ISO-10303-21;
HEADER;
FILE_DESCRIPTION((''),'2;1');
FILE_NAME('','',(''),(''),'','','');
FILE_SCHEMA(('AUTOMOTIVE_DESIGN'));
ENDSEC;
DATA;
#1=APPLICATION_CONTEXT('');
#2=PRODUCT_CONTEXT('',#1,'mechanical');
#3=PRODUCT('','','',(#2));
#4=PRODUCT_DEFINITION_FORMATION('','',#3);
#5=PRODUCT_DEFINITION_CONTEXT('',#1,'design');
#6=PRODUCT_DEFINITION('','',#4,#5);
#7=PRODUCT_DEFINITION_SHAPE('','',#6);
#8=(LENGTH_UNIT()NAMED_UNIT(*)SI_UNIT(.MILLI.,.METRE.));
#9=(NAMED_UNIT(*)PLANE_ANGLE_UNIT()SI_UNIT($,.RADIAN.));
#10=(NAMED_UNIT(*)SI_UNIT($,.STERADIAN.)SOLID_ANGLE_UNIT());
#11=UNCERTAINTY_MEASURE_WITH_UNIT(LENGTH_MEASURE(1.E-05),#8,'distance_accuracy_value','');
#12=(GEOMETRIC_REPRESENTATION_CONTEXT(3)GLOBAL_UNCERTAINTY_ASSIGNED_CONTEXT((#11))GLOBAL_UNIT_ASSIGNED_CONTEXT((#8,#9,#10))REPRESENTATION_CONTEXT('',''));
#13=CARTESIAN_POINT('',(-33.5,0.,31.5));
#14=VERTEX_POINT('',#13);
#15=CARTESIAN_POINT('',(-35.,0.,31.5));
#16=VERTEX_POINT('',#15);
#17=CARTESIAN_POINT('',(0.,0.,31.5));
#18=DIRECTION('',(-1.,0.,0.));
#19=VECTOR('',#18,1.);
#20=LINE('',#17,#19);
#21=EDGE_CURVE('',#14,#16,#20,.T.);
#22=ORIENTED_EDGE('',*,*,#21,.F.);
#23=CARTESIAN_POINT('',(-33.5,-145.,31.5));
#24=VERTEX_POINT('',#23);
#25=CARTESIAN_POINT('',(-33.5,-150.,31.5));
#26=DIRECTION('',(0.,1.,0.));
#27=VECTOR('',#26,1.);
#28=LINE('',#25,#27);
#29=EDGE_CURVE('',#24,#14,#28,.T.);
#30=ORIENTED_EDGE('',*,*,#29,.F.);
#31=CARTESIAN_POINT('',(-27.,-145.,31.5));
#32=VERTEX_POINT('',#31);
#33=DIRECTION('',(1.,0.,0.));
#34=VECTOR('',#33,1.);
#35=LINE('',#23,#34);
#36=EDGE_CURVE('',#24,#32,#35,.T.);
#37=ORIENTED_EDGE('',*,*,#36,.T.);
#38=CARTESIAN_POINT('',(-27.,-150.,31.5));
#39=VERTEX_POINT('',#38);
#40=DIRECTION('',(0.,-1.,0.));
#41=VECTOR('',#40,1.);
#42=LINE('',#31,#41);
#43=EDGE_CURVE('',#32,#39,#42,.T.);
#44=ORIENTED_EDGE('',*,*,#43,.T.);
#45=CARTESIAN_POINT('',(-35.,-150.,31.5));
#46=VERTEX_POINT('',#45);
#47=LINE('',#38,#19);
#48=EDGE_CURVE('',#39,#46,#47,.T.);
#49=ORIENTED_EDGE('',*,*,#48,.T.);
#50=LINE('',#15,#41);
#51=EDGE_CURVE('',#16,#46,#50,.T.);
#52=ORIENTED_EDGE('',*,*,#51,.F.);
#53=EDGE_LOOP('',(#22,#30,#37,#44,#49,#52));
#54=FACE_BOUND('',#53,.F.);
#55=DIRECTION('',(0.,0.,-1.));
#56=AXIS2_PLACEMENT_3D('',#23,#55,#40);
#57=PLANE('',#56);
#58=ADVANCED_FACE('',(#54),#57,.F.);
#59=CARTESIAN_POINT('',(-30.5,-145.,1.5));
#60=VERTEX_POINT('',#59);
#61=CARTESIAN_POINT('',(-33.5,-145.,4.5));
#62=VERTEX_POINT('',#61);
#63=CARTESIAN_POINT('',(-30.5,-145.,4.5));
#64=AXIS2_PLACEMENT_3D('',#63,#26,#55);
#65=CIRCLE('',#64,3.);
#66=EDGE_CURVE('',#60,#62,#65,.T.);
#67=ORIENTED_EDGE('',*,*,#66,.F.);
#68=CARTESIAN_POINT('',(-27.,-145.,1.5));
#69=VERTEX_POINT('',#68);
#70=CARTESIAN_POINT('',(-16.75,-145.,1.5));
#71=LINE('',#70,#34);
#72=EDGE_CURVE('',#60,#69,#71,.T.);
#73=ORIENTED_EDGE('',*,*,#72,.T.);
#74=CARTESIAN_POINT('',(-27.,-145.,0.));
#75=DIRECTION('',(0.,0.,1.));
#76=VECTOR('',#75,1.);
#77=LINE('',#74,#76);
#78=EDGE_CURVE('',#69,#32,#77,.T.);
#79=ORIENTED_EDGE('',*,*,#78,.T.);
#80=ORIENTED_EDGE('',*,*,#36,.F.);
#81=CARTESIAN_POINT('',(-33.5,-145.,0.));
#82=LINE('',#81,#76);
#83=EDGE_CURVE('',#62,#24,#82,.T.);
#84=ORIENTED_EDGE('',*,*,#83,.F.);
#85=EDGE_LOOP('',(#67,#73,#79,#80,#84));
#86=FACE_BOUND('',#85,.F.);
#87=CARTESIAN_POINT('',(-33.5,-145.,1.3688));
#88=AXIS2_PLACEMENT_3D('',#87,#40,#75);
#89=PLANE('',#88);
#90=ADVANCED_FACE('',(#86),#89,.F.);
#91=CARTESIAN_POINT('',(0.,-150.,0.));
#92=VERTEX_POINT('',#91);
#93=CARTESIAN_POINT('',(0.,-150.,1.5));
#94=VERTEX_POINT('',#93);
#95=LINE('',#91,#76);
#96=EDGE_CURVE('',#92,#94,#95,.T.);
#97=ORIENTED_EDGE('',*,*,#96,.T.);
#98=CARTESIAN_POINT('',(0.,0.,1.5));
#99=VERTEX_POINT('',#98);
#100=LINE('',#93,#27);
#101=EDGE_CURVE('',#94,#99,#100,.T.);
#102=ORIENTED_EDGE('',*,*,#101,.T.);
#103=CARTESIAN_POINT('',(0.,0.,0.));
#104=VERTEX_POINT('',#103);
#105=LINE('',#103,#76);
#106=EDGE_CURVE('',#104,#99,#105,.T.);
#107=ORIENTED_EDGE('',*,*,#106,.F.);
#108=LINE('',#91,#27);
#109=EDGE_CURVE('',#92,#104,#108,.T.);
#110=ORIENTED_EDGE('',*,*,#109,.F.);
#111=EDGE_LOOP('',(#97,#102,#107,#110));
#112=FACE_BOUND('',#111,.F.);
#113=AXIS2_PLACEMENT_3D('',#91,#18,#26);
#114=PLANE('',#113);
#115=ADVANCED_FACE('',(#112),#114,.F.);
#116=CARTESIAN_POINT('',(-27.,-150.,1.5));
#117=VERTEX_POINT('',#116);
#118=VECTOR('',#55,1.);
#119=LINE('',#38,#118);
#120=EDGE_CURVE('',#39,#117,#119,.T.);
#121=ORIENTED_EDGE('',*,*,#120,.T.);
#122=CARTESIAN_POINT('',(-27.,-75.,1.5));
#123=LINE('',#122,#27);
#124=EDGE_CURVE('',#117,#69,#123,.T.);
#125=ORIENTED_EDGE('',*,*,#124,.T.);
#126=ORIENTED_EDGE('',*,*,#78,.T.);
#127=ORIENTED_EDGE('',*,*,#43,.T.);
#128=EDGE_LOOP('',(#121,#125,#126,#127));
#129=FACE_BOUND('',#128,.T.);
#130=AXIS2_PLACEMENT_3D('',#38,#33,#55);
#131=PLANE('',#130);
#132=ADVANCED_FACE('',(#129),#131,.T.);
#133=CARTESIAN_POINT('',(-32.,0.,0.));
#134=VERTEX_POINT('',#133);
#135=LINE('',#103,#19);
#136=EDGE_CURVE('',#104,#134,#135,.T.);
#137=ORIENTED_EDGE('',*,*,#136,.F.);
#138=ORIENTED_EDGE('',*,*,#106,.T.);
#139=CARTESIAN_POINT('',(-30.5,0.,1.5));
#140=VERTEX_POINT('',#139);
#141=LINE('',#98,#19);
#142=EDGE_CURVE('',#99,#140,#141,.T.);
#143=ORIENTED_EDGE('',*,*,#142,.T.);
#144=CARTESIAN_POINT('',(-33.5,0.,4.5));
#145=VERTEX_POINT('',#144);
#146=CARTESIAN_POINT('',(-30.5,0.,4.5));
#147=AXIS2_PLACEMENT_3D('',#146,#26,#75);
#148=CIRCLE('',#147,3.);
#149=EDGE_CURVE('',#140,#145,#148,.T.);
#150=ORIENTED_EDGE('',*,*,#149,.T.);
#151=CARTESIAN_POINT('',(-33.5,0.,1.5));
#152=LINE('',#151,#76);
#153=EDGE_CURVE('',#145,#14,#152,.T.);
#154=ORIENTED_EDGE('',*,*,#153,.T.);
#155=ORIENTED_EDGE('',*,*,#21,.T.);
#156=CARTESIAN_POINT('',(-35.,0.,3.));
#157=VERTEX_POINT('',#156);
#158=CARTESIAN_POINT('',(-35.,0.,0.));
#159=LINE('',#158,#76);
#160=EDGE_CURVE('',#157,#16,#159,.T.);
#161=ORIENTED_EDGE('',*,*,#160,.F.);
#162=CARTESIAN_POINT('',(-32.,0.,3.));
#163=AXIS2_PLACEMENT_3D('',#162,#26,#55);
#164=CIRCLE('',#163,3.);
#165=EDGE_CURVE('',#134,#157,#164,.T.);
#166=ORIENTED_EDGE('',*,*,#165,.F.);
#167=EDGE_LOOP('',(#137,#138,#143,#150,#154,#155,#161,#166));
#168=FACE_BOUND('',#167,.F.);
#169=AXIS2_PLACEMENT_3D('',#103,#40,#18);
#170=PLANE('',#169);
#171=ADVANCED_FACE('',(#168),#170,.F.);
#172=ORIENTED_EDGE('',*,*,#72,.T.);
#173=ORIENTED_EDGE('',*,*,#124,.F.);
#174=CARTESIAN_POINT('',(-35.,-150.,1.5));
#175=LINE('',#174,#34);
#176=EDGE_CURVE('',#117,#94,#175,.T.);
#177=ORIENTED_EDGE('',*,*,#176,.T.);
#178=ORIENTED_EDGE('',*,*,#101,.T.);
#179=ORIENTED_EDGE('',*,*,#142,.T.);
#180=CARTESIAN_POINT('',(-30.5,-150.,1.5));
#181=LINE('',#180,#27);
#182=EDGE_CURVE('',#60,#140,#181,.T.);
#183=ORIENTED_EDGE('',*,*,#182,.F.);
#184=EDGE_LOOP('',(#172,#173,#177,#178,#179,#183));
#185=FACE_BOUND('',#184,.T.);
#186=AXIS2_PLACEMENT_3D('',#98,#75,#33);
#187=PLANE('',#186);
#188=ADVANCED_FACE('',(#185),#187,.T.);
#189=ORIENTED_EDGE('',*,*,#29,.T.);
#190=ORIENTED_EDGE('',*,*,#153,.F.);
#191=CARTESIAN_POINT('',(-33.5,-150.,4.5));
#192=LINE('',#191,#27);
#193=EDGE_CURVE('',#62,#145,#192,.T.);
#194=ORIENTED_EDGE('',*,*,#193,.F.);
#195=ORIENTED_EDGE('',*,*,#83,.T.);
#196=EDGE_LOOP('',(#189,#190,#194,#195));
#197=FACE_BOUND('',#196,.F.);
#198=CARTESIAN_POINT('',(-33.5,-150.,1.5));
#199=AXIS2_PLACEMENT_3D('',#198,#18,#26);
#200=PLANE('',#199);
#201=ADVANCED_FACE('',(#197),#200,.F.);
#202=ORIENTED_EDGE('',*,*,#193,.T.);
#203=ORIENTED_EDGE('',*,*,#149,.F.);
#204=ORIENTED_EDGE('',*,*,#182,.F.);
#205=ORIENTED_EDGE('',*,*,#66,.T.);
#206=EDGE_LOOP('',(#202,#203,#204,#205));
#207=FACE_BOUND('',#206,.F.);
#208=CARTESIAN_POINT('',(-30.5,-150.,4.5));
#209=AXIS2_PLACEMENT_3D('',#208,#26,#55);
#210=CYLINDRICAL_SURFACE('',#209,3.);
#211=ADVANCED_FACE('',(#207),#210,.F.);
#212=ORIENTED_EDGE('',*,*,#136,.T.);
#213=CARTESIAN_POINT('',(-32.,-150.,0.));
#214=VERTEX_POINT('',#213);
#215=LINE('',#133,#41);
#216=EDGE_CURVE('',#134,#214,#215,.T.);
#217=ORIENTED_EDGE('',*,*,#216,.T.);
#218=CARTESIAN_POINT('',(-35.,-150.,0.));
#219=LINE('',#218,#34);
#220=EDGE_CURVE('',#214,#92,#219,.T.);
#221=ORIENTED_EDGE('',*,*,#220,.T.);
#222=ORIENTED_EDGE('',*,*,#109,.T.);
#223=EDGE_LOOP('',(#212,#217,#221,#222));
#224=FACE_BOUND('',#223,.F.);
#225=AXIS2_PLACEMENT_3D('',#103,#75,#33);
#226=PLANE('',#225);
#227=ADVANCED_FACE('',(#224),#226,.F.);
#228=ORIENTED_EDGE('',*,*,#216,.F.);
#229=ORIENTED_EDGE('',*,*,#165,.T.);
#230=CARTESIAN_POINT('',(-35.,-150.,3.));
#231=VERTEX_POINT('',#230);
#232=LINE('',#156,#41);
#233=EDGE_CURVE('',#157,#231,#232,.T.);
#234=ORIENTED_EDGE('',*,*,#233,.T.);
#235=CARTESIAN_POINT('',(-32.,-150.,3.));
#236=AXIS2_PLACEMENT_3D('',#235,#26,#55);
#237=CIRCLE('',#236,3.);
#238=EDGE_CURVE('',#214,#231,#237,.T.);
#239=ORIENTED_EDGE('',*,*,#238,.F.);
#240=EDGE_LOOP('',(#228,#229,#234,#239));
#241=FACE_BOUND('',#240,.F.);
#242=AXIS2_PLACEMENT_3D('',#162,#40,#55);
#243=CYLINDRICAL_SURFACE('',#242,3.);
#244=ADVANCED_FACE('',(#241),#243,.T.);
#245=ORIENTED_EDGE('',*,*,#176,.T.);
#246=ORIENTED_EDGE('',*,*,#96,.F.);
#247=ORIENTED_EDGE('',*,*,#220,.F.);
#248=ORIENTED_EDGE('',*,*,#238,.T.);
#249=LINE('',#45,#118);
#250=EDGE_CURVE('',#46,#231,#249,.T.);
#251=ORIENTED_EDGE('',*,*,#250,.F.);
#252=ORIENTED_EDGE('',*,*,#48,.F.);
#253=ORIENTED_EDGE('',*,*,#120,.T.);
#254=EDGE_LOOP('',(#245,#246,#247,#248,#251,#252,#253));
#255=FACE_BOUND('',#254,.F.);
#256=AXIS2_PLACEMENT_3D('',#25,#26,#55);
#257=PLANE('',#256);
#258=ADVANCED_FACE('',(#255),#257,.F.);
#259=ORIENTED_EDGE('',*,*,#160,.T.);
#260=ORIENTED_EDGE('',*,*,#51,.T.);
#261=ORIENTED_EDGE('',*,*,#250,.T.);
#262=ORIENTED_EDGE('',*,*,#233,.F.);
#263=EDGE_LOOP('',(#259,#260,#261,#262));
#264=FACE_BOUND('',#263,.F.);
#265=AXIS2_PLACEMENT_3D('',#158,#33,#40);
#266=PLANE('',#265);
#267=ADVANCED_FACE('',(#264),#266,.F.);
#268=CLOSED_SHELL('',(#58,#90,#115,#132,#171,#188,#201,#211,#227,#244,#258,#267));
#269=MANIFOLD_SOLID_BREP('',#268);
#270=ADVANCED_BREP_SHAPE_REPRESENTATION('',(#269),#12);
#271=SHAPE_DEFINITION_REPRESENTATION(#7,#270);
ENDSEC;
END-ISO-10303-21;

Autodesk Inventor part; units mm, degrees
ref_plane "YZ Plane" through (0, 0, 0) normal (1, 0, 0) x (0, 1, 0)
ref_plane "XZ Plane" through (0, 0, 0) normal (0, 1, 0) x (-1, 0, 0)
ref_plane "XY Plane" through (0, 0, 0) normal (0, 0, 1) x (1, 0, 0)
ref_plane "Arbeitsebene1" through (0, 0, 0) normal (0, 0, 1) x (1, 0, 0)
sketch "Skizze1" plane through (0, 0, 0) normal (0, 0, 1) x (1, 0, 0)
  line L0 (0, 0) -> (-35, 0)
  line L1 (-35, 0) -> (-35, -150)
  line L2 (-35, -150) -> (0, -150)
  line L3 (0, -150) -> (0, 0)
  dimension "d18" = 35
  dimension "d19" = 150
extrude "Extrusion1" add sketch "Skizze1" along normal blind 1.5
sketch "Skizze2" plane through (0, 0, 1.5) normal (0, 0, 1) x (1, 0, 0)
  line L0 (-35, 0) -> (-35, -150) projected
  line L1 (0, 0) -> (-35, 0) projected
  line L2 (0, -150) -> (0, 0) projected
  line L3 (-35, -150) -> (0, -150) projected
  line L4 (0, 0) -> (-35, 0) projected
  line L5 (-35, -150) -> (-33.5, -150)
  line L6 (-33.5, -150) -> (-33.5, 0)
  line L7 (-33.5, 0) -> (-35, 0)
  line L8 (-35, 0) -> (-35, -150)
  point P0 (0, -87)
  point P1 (-33.5, 0)
  dimension "d20" = 1.5
extrude "Extrusion2" add sketch "Skizze2" along normal blind 30 contours L1 L6 L3 L0
fillet "Rundung2" radius 3 2 edges at (-35, -75, 0) (-33.5, -75, 1.5)
sketch "Skizze6" plane through (-33.5, -150, 31.5) normal (1, 0, 0) x (0, 0, -1)
  line L0 (31.5, 0) -> (31.5, 150) projected
  line L1 (0, 0) -> (31.5, 0)
  line L2 (31.5, 0) -> (31.5, 5)
  line L3 (31.5, 5) -> (0, 5)
  line L4 (0, 5) -> (0, 0)
  line L5 (30.1312, 5) -> (30.1312, 0)
  dimension "d22" = 5
extrude "Extrusion6" add sketch "Skizze6" along normal blind 6.5 contours L1 L4 L3 L5
properties part number "50_Nema12_Linearmotor_150mm_cage"
